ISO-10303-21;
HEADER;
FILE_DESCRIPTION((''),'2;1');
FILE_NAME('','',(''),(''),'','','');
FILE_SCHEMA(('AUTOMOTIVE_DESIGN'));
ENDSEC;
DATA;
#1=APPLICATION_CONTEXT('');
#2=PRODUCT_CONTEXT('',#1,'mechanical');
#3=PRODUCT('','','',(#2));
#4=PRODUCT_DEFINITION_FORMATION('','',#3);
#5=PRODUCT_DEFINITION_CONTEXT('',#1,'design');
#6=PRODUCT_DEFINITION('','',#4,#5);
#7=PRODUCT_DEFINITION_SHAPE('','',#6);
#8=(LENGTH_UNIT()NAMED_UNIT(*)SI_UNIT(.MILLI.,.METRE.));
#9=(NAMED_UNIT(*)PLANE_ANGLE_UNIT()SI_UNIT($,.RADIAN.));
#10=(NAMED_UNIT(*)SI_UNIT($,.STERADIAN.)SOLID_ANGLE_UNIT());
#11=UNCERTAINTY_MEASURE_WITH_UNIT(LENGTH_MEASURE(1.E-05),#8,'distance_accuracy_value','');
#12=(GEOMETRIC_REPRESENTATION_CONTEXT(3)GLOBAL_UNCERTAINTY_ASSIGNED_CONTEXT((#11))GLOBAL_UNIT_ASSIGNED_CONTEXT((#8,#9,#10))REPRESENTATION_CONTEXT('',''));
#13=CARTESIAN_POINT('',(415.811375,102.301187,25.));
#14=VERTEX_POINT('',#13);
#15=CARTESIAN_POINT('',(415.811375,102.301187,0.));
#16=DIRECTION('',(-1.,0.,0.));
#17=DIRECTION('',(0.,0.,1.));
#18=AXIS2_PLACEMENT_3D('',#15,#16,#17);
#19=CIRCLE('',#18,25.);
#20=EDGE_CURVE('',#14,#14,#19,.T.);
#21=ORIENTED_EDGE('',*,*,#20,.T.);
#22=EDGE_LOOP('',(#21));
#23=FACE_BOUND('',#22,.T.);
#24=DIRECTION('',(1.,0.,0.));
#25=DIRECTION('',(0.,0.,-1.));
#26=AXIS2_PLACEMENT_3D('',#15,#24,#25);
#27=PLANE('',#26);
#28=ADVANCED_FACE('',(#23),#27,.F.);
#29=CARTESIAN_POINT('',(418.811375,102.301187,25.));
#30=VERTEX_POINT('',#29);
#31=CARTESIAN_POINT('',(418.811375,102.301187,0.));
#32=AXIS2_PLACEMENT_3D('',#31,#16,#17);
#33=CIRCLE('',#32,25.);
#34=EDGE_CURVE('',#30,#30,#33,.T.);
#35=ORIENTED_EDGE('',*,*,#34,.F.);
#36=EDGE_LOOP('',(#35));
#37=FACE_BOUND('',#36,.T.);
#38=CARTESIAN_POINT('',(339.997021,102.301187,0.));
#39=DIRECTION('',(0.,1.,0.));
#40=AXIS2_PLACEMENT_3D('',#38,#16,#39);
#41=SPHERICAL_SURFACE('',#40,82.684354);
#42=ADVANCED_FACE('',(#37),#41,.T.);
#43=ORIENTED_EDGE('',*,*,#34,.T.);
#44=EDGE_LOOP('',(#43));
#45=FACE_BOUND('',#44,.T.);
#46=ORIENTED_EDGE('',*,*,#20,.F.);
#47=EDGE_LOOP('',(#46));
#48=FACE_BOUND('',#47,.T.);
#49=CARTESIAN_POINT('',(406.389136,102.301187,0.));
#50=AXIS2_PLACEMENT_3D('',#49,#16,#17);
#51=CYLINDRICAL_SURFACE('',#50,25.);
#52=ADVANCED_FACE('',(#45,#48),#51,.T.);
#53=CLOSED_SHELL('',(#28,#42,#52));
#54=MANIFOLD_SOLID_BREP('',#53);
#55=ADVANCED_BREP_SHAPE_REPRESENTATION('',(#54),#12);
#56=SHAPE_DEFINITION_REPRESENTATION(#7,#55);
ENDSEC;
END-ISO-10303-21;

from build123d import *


with BuildPart() as part:
    # 草图1 → 旋转1 (revolve)
    with BuildSketch(Plane.XY):
        with BuildLine():
            Line((415.811375189, 102.301186731), (415.811375189, 127.301186731))
            Line((415.811375189, 127.301186731), (418.811375189, 127.301186731))
            ThreePointArc((418.811375189, 127.301186731), (421.708147551, 114.950069093), (422.681375189, 102.301186731))
            Line((422.681375189, 102.301186731), (415.811375189, 102.301186731))
        make_face()
    revolve(axis=Axis((406.389135752, 102.301186731, 0), (1, 0, 0)))


solid = part.part
